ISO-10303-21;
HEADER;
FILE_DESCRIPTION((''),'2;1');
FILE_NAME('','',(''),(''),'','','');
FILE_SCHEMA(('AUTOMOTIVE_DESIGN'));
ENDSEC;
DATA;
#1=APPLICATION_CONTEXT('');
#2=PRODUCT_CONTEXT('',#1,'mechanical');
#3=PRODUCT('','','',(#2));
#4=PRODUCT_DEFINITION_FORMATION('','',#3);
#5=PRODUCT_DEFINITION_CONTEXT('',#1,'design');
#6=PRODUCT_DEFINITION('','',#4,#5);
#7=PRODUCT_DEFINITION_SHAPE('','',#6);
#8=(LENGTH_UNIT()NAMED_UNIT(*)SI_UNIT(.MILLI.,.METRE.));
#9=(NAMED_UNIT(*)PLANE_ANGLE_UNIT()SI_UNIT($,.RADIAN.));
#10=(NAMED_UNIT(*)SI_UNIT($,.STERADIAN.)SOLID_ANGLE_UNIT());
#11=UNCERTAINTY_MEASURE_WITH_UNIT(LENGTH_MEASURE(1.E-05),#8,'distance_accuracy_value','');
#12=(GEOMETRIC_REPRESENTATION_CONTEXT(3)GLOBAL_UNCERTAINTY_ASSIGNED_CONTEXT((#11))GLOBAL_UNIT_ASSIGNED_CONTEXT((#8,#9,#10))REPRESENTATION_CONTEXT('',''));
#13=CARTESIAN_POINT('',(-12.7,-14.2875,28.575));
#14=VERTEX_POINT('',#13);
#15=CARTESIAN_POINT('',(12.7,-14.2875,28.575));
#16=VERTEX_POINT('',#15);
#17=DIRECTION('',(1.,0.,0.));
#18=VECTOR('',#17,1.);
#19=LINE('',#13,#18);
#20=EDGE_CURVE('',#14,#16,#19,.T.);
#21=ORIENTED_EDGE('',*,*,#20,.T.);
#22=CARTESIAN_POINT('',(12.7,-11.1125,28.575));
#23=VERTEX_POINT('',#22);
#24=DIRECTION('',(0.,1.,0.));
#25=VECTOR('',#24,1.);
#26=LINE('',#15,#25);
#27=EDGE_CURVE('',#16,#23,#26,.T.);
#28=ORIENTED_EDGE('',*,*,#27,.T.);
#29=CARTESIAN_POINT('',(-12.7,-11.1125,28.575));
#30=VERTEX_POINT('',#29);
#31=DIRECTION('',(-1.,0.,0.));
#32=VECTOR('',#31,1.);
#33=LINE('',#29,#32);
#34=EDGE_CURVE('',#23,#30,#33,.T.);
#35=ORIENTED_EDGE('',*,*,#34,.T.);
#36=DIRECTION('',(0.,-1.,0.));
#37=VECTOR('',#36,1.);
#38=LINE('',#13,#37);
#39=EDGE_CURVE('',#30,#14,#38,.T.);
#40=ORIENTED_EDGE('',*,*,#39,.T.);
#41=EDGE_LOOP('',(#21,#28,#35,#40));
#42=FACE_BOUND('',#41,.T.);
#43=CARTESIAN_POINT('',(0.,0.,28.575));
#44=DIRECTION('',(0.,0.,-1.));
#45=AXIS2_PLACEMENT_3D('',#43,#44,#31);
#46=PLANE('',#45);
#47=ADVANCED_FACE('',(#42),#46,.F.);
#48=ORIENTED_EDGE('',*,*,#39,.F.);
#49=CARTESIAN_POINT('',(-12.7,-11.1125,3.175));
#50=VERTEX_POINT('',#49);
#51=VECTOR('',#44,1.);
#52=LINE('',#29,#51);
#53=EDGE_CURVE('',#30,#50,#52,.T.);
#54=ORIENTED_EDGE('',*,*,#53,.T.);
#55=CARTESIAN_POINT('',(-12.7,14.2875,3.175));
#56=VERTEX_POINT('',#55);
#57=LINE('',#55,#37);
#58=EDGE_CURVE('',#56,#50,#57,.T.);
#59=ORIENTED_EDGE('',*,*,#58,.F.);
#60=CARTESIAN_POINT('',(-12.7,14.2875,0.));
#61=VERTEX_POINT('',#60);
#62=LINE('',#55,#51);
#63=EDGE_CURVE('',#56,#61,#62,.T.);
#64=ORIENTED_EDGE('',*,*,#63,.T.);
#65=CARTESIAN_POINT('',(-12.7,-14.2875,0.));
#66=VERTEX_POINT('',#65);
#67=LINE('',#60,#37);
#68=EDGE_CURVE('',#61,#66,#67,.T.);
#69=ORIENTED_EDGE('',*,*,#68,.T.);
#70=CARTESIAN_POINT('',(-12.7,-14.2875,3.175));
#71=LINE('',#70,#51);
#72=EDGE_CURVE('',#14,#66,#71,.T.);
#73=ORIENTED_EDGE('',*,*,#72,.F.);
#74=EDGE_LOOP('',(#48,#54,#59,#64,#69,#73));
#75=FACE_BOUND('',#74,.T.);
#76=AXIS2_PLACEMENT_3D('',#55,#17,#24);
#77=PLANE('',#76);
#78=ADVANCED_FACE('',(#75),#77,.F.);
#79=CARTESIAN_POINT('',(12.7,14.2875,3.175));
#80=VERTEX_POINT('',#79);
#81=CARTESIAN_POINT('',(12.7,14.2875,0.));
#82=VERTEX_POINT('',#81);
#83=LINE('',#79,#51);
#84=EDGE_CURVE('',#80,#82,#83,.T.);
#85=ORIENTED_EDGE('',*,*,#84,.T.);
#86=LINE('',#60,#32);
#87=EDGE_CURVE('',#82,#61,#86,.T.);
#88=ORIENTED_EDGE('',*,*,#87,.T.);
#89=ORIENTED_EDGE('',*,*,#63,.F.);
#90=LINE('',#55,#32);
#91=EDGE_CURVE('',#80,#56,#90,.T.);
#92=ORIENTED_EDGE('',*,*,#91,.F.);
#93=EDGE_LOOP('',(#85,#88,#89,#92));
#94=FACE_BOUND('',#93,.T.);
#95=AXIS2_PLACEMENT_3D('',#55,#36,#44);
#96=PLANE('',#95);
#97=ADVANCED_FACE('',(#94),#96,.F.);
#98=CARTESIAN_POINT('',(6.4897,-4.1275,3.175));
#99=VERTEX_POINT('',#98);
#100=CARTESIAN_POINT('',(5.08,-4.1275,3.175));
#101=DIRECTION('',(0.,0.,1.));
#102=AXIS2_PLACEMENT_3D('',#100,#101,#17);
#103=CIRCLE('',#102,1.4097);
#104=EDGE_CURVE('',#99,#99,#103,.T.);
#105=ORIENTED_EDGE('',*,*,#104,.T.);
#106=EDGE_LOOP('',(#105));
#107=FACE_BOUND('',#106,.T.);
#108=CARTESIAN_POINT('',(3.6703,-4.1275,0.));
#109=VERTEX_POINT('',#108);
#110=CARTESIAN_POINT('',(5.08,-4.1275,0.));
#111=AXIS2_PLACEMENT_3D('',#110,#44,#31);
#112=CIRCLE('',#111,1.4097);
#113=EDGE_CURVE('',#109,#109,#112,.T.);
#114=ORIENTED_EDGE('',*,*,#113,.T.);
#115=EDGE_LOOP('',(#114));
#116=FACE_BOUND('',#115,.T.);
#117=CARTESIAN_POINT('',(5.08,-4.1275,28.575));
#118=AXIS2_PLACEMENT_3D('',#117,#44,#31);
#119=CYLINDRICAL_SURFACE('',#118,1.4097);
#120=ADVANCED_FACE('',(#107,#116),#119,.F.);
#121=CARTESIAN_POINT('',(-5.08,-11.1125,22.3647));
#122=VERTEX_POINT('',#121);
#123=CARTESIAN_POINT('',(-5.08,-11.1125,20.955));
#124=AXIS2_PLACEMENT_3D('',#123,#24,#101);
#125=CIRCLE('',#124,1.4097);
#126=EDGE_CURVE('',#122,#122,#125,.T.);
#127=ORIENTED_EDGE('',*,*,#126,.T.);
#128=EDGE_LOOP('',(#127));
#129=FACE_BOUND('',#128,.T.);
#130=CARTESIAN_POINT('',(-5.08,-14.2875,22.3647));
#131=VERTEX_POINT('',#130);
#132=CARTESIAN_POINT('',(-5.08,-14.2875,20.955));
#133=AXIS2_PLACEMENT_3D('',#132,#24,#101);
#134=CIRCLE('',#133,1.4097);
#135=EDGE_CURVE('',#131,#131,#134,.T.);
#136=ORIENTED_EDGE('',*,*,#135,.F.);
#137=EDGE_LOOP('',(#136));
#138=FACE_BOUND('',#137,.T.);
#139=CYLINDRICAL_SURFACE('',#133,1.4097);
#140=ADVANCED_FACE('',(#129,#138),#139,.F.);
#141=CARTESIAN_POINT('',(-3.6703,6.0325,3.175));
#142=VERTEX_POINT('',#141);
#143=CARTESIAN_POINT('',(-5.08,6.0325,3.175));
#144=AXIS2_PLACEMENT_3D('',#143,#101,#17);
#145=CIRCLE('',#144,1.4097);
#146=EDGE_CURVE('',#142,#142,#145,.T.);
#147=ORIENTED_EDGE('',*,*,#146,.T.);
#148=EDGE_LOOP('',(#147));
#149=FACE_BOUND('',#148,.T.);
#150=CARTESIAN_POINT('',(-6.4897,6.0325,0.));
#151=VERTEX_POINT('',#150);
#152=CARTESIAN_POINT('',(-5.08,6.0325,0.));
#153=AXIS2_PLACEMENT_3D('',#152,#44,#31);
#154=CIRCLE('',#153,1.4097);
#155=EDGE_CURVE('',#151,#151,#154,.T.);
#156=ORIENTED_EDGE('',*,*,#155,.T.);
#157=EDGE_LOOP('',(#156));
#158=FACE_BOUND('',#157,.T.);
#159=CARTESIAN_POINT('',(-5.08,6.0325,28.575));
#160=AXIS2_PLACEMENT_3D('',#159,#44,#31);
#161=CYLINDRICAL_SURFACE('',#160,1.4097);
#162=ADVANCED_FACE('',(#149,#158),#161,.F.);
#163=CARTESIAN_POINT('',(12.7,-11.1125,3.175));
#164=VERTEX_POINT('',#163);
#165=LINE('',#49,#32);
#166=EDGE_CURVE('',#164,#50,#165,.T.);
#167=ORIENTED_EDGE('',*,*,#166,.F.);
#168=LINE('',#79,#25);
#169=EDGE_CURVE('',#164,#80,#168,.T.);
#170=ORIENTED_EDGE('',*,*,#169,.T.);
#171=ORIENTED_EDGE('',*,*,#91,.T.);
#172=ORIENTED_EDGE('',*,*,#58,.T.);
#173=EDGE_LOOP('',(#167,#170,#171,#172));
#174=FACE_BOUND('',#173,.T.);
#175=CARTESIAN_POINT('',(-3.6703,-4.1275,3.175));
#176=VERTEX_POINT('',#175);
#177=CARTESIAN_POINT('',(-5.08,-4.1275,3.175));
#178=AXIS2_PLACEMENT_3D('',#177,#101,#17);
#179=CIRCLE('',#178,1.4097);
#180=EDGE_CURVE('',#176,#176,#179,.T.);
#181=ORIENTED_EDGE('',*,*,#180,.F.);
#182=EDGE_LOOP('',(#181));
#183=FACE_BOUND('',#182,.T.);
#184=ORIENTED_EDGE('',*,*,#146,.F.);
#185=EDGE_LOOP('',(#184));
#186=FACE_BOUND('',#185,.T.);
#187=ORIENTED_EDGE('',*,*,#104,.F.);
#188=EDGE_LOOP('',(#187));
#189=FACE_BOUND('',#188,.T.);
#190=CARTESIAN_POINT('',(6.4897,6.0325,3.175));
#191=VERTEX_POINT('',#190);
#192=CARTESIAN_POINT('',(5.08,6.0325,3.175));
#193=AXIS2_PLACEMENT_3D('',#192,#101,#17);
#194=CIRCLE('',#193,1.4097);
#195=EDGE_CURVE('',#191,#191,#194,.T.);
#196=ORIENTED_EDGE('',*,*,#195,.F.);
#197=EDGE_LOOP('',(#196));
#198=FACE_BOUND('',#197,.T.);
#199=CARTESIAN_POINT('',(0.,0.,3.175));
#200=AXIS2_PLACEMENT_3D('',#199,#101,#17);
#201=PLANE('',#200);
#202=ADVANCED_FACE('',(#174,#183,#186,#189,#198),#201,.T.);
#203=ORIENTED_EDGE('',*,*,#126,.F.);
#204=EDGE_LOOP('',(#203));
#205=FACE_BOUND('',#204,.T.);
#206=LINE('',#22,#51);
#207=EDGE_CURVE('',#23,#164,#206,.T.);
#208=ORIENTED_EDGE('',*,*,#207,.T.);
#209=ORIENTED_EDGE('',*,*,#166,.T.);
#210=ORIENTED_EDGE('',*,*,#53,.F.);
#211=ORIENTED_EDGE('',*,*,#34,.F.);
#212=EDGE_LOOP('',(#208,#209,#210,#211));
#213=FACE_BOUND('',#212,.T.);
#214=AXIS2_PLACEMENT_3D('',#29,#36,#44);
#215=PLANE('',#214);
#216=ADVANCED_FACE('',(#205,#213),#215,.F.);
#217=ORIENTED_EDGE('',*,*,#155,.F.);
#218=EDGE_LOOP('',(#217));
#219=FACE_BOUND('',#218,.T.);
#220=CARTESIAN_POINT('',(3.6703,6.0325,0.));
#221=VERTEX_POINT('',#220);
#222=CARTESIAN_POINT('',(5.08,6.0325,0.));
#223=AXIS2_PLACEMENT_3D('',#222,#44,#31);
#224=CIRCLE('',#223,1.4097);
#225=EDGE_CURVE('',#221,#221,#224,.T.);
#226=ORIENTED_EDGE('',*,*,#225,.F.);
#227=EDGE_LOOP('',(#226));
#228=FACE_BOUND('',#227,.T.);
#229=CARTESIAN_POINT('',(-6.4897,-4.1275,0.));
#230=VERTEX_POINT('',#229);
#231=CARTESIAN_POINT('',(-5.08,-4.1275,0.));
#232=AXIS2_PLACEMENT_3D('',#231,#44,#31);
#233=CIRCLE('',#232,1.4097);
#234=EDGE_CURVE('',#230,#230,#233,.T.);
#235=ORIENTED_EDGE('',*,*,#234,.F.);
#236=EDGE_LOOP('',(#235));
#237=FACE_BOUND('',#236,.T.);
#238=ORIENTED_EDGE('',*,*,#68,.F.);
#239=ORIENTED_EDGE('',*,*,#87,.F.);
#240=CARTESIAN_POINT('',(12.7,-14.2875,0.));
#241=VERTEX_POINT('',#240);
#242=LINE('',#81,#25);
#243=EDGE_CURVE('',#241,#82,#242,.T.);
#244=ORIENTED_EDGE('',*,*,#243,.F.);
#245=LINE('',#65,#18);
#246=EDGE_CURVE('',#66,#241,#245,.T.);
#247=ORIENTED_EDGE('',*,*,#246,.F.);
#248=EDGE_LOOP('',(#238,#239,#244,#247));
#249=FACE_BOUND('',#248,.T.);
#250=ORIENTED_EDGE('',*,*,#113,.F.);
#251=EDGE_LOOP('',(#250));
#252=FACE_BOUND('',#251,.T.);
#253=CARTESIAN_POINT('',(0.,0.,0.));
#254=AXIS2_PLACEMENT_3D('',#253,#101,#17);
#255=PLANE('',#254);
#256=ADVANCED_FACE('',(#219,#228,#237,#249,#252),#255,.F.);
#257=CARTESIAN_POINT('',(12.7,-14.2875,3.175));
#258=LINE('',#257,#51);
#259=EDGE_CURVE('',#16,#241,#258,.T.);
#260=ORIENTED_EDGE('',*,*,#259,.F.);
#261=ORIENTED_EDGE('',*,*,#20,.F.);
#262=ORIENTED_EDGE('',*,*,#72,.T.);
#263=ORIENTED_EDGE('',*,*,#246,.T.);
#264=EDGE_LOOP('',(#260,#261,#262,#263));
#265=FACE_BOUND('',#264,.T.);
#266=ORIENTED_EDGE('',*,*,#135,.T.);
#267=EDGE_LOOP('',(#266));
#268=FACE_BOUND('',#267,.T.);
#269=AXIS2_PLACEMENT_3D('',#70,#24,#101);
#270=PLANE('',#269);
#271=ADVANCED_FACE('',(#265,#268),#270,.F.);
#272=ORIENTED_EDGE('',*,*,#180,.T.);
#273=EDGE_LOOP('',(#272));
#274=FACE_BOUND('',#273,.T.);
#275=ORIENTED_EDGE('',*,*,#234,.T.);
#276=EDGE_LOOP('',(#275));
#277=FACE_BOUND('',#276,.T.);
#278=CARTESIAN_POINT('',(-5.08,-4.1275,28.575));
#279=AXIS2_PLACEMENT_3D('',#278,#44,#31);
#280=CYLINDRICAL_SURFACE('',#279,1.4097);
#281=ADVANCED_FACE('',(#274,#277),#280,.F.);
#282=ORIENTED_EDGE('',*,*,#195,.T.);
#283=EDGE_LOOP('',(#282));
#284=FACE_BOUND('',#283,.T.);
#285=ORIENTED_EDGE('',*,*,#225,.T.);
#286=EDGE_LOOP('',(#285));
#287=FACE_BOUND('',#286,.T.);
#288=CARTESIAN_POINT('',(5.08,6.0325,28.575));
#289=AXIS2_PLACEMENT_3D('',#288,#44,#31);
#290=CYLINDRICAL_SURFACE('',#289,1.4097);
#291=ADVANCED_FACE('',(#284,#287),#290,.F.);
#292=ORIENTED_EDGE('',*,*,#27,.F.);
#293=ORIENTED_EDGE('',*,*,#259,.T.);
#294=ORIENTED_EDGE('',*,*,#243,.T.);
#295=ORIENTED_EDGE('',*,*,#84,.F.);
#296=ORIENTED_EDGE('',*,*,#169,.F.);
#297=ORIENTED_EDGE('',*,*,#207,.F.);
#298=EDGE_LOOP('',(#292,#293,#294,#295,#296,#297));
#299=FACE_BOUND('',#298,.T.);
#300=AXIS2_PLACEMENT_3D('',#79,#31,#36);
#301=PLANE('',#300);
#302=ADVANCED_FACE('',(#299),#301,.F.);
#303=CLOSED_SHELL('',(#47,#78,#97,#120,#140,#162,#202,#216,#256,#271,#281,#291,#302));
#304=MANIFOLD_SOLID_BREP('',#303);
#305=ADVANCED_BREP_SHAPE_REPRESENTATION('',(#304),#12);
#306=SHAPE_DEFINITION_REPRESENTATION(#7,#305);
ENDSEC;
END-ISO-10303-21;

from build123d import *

# Parameters (mm, degrees)
SKETCH1_W            = 25.4
SKETCH1_H            = 28.575
BOSS_EXTRUDE1_DEPTH  = 3.175
SKETCH2_W            = 25.4
SKETCH2_H            = 3.175
BOSS_EXTRUDE2_DEPTH  = 25.4
SKETCH4_R            = 1.4097
CUT_EXTRUDE1_DEPTH   = 29.575
LPATTERN1_COUNT      = 2
LPATTERN1_PITCH      = 10.16
LPATTERN1_COUNT_DIR2 = 2
LPATTERN1_PITCH_DIR2 = 10.16
SKETCH5_R            = 1.4097
CUT_EXTRUDE2_DEPTH   = 4.175


with BuildPart() as part:
    # Sketch1 → Boss-Extrude1 (new body)
    with BuildSketch(Plane.XY):
        Rectangle(SKETCH1_W, SKETCH1_H)
    extrude(amount=BOSS_EXTRUDE1_DEPTH)

    # Sketch2 → Boss-Extrude2 (add)
    with BuildSketch(Plane.XY.offset(3.175)):
        with Locations((0, -12.7)):
            Rectangle(SKETCH2_W, SKETCH2_H)
    extrude(amount=BOSS_EXTRUDE2_DEPTH)

    # Sketch4 → Cut-Extrude1 (cut, through all)
    with BuildSketch(Plane(origin=(0, 0, 0), x_dir=(-1, 0, 0), z_dir=(0, 0, -1))):
        with Locations((-5.08, 6.0325)):
            Circle(SKETCH4_R)
    cut_extrude1 = extrude(amount=-CUT_EXTRUDE1_DEPTH, mode=Mode.SUBTRACT)

    # LPattern1: Cut-Extrude1 2 × 2
    with Locations(*[(-j * LPATTERN1_PITCH_DIR2, -i * LPATTERN1_PITCH, 0) for i in range(LPATTERN1_COUNT) for j in range(LPATTERN1_COUNT_DIR2) if (i, j) != (0, 0)]):
        add(cut_extrude1, mode=Mode.SUBTRACT)

    # Sketch5 → Cut-Extrude2 (cut, through all)
    with BuildSketch(Plane(origin=(0, -11.1125, 0), x_dir=(1, 0, 0), z_dir=(0, 1, 0))):
        with Locations((-5.08, -20.955)):
            Circle(SKETCH5_R)
    extrude(amount=-CUT_EXTRUDE2_DEPTH, mode=Mode.SUBTRACT)


solid = part.part
